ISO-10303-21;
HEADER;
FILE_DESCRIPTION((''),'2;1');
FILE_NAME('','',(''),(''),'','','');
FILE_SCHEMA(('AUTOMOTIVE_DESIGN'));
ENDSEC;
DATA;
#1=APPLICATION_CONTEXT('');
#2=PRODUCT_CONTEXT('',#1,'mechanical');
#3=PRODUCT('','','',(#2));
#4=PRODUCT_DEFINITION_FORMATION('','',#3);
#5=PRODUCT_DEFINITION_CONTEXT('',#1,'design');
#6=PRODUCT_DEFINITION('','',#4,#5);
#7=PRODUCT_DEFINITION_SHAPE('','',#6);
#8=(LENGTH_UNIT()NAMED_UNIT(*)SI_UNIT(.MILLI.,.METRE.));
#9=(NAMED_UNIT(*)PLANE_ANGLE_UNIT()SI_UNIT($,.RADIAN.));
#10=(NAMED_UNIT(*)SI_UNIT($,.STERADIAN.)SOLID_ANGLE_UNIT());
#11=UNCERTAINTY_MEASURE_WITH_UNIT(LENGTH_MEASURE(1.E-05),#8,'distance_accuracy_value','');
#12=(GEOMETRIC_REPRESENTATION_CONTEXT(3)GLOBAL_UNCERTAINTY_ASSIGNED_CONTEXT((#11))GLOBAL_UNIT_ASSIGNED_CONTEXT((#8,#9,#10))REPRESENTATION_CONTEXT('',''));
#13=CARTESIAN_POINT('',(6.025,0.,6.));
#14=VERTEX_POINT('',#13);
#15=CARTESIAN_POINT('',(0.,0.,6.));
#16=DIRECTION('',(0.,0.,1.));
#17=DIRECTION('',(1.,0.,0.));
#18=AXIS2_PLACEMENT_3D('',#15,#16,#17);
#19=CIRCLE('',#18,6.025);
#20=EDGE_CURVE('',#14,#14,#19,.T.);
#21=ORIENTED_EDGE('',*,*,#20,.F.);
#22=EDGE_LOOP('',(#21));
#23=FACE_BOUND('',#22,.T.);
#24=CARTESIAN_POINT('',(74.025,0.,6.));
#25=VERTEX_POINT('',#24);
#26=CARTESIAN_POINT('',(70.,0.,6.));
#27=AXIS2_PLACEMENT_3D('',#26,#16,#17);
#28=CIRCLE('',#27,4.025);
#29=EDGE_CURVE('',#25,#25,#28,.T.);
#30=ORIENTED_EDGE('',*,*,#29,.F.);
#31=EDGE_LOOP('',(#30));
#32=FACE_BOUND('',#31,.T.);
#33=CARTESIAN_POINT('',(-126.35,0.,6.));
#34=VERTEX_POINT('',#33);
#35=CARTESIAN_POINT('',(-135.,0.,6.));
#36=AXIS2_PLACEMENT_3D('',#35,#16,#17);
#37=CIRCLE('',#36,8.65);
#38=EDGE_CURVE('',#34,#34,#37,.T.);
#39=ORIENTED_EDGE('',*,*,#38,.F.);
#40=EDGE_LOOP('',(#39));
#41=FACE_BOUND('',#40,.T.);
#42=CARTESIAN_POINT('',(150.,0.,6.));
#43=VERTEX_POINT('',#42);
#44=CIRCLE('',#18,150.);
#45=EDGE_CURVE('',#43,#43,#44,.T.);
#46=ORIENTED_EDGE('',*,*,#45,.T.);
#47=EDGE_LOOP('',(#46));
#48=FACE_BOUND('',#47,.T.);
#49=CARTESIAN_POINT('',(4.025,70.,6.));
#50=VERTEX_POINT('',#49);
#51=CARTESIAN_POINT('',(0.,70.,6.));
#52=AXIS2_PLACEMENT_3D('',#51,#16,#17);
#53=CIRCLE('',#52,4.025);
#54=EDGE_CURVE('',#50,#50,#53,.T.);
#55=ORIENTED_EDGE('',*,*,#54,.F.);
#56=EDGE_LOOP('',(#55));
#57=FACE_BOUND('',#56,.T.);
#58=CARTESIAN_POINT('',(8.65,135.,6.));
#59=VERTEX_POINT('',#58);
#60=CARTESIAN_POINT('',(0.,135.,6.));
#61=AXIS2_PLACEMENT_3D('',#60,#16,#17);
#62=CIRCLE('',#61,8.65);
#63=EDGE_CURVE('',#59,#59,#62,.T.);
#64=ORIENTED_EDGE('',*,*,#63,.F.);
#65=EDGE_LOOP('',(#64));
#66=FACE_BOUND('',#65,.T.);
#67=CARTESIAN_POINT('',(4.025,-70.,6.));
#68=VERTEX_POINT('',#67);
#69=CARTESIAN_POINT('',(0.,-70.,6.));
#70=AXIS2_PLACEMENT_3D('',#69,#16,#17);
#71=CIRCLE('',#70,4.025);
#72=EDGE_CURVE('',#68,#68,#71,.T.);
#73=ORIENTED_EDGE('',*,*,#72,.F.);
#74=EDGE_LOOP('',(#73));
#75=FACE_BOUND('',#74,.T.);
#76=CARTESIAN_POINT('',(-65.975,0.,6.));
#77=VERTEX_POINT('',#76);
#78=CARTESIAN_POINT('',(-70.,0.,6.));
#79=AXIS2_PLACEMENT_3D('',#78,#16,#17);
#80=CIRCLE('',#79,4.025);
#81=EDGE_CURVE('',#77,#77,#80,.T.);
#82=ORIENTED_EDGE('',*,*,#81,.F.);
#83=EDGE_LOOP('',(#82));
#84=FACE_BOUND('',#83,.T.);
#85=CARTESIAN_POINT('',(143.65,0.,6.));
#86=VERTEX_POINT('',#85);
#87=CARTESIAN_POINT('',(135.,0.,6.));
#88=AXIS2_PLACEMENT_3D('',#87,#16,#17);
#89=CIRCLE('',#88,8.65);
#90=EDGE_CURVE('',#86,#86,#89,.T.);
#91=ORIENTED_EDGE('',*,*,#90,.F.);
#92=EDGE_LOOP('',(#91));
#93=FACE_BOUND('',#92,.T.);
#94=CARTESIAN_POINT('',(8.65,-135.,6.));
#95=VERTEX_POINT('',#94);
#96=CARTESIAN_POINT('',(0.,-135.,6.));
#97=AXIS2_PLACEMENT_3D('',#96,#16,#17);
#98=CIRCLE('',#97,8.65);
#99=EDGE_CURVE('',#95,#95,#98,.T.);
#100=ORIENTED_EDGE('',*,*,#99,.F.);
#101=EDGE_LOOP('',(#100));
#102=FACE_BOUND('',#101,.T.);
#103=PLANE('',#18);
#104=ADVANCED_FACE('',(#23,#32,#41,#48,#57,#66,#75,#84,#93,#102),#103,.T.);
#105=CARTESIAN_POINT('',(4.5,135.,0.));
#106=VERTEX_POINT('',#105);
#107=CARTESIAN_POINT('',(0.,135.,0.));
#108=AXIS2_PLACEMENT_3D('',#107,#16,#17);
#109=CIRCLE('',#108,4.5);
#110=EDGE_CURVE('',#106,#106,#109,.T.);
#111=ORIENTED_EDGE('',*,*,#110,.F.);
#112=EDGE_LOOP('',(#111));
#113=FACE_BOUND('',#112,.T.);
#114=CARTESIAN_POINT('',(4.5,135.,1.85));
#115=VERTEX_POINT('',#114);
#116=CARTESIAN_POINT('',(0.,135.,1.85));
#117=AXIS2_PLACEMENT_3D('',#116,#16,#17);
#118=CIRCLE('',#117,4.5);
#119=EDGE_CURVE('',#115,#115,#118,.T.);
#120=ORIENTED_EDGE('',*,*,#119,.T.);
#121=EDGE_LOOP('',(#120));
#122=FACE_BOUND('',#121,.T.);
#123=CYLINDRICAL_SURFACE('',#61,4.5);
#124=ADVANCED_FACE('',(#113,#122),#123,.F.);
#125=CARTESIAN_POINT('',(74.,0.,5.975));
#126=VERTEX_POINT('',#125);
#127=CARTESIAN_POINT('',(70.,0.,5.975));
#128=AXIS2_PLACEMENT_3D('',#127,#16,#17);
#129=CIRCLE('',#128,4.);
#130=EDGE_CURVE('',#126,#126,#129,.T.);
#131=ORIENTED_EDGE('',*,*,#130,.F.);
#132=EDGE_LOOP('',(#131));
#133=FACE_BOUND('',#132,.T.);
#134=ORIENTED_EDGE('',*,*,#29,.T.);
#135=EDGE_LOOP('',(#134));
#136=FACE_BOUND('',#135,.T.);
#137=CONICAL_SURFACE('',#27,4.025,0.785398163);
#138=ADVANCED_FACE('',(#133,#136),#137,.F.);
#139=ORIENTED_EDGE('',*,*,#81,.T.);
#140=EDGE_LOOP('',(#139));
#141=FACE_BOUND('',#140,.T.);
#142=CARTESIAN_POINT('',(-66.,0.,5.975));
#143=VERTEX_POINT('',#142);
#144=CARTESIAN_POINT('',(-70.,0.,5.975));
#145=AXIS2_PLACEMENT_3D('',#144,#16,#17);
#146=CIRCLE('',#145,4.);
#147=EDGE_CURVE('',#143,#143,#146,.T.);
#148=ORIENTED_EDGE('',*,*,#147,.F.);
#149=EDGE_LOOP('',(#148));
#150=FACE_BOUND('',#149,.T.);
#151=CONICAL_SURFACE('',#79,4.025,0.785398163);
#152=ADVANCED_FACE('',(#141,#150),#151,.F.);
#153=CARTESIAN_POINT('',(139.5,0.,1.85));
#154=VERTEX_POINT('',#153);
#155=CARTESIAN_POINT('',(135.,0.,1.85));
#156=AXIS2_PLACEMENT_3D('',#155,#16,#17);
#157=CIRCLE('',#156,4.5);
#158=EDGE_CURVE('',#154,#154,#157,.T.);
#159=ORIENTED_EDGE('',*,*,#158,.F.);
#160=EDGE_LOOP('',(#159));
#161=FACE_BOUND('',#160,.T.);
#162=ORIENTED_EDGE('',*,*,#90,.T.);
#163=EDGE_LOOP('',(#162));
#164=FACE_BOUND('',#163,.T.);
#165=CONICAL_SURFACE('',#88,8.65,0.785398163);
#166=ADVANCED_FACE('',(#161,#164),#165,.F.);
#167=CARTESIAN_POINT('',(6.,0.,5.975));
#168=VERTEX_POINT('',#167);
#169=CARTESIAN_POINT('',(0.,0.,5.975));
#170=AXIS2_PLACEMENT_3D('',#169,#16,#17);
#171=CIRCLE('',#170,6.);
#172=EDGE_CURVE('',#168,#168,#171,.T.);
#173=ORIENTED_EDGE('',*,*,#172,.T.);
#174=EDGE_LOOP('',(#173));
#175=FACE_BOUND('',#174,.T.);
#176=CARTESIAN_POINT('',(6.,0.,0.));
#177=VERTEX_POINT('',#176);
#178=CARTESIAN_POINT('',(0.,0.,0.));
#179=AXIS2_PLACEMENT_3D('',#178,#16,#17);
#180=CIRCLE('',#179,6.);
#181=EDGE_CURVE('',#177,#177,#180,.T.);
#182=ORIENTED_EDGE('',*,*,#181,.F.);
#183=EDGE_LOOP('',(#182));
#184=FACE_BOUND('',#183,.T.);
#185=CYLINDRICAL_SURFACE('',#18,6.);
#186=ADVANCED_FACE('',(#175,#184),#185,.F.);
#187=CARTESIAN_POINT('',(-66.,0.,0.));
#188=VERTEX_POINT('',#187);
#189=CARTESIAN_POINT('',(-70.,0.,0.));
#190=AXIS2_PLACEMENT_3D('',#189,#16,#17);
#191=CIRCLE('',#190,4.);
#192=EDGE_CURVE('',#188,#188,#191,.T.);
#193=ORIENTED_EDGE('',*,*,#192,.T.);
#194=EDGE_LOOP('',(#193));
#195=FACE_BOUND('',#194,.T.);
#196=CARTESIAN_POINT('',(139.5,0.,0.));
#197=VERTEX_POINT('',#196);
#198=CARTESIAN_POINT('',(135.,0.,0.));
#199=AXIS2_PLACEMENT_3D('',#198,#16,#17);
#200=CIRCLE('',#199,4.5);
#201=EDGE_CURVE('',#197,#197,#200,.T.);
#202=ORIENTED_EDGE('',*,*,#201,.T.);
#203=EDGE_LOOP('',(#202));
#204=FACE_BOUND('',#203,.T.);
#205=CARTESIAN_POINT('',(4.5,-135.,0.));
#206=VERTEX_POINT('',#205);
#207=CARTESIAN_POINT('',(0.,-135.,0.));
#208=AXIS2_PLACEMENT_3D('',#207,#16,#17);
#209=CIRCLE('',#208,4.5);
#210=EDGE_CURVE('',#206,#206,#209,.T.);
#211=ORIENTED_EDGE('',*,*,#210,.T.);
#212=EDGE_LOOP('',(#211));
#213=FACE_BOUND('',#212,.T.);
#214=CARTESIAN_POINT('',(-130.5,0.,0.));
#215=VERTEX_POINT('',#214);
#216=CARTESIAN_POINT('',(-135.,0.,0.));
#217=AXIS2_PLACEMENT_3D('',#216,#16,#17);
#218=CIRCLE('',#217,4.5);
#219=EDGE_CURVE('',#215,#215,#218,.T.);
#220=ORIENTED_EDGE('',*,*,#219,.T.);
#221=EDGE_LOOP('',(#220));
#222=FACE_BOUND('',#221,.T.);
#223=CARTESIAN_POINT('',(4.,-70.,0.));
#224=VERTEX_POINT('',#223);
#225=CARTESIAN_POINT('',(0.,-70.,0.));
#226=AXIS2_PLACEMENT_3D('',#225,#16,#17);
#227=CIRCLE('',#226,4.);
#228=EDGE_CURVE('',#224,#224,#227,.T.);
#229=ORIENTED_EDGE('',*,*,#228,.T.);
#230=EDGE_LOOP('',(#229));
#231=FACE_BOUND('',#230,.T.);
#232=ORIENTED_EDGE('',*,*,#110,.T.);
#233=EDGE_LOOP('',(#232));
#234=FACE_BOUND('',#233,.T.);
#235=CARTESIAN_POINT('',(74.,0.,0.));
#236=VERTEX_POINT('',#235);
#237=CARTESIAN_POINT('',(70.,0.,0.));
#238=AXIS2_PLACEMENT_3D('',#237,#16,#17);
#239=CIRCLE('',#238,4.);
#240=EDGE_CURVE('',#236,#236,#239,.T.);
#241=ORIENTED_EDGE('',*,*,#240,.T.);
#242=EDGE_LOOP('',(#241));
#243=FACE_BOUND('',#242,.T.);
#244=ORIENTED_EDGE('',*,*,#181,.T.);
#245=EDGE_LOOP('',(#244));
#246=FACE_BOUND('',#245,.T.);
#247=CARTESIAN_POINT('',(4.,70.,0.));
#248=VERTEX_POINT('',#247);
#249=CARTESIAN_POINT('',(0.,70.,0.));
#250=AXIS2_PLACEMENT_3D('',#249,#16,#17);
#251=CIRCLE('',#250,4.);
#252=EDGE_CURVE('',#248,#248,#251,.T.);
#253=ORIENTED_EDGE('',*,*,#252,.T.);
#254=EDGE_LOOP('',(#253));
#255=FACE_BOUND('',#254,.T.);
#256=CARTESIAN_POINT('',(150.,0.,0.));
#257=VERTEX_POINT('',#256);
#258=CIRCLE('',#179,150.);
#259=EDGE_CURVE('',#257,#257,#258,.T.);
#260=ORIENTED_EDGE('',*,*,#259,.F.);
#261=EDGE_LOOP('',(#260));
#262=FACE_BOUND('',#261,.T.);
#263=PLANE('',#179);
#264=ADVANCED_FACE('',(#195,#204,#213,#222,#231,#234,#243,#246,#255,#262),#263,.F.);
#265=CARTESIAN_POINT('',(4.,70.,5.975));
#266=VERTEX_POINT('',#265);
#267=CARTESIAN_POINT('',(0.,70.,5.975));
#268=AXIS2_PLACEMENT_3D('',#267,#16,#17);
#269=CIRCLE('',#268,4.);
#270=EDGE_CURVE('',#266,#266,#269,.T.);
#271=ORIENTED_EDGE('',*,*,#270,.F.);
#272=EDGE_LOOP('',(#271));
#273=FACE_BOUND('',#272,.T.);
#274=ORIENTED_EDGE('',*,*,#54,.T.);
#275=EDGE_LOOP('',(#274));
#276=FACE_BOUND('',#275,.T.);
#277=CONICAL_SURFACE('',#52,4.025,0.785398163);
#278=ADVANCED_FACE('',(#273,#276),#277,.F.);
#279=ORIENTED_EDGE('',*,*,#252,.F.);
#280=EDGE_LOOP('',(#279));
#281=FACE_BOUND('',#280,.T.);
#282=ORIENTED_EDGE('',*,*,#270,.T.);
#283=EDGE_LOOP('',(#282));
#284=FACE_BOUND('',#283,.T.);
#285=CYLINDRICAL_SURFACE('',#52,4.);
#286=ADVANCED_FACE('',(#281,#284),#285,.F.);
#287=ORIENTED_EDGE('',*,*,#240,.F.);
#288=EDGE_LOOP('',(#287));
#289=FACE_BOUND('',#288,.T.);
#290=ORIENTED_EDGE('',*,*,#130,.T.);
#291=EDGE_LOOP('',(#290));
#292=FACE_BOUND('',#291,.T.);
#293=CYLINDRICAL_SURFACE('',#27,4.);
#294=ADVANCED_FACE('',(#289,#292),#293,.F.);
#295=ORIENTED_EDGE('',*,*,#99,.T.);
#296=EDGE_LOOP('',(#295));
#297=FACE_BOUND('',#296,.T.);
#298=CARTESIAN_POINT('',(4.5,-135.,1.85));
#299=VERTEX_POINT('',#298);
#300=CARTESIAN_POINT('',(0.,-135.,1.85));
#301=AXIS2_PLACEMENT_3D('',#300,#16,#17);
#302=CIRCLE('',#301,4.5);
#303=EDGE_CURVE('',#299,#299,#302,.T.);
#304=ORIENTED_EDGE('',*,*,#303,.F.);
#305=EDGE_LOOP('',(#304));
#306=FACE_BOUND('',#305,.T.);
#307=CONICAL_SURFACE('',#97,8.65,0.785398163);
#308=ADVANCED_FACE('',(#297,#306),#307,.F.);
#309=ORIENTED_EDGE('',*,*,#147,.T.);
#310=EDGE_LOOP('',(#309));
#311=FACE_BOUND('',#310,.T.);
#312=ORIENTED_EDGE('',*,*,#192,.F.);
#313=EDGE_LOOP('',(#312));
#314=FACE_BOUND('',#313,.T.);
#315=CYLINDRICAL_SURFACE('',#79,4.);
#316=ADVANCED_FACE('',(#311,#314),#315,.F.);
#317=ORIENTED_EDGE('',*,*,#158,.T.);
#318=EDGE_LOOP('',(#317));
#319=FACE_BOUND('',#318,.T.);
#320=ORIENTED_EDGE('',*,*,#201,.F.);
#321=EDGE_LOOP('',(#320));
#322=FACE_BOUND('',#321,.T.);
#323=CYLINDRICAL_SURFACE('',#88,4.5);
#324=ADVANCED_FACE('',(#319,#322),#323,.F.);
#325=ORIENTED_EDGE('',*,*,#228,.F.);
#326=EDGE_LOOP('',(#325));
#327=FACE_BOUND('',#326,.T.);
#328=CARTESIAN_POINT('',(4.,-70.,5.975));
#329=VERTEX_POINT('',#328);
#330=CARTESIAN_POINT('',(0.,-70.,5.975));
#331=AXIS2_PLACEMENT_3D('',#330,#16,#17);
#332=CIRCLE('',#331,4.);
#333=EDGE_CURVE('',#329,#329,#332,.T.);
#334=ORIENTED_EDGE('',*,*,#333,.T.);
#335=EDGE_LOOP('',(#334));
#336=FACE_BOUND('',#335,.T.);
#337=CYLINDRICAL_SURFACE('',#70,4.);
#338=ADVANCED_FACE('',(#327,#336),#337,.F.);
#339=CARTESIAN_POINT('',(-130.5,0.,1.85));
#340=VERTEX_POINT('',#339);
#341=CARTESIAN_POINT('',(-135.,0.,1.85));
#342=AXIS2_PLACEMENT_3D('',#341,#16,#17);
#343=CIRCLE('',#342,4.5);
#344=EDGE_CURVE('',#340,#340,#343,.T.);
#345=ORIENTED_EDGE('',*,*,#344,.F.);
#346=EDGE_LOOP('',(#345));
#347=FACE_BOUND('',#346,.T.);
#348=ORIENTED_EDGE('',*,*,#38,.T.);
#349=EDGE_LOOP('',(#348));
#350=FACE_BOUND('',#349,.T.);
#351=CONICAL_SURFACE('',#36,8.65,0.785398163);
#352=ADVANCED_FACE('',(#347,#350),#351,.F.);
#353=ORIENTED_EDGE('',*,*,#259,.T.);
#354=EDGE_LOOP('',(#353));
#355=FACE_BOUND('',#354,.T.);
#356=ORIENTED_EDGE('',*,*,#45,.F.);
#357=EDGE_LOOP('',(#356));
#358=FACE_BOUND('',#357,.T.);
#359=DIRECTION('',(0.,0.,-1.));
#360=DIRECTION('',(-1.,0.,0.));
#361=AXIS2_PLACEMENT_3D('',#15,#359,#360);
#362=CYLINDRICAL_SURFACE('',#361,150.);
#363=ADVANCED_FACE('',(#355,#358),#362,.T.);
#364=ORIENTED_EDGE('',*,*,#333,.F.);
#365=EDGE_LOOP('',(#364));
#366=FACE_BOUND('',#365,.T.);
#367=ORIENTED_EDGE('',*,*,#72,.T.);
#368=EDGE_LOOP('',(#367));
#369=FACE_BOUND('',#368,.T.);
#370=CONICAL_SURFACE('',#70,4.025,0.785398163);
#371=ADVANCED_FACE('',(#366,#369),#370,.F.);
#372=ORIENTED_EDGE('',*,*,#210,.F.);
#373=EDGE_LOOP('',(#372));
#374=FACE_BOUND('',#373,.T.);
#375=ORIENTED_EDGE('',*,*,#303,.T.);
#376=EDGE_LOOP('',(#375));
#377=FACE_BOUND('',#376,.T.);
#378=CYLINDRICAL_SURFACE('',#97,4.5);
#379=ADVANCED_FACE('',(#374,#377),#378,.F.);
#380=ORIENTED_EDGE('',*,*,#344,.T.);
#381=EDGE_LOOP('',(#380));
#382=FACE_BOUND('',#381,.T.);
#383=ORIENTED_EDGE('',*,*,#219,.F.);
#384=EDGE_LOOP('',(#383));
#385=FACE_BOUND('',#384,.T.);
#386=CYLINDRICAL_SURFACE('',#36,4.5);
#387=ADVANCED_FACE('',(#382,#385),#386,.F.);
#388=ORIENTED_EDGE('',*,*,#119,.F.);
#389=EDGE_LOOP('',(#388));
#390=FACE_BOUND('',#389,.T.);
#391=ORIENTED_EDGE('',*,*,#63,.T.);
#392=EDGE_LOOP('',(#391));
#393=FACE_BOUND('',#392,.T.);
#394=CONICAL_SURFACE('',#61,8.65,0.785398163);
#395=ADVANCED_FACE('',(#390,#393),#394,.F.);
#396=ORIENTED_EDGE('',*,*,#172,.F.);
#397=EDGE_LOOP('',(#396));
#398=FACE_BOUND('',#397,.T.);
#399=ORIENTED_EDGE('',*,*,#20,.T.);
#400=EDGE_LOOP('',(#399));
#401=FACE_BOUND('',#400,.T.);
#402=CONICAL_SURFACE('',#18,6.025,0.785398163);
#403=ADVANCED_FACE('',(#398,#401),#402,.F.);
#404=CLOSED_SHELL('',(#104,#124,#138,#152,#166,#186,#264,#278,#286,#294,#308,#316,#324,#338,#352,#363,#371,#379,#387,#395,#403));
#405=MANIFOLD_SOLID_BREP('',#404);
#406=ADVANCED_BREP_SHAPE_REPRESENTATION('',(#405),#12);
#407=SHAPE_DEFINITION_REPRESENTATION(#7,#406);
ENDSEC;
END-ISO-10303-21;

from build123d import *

# Parameters (mm, degrees)
SZKIC1_R                                    = 150
DODANIE_WYCI_GNI_CIE1_DEPTH                 = 6
OTWORY_USTALAJ_CE_8_0MM1_D                  = 8
OTWORY_USTALAJ_CE_8_0MM1_CSINK_D            = 8.05
OTWORY_USTALAJ_CE_8_0MM1_CSINK_ANGLE        = 90
POG_BIENIE_STO_KOWE_POD_M8_WKR_T_DO_2_COUNT = 2
POG_BIENIE_STO_KOWE_POD_M8_WKR_T_DO_2_PITCH = 190.91883092
POG_BIENIE_STO_KOWE_POD_M8_WKR_T_DO_3_COUNT = 2
POG_BIENIE_STO_KOWE_POD_M8_WKR_T_DO_3_PITCH = 270
POG_BIENIE_STO_KOWE_POD_M8_WKR_T_DO_4_COUNT = 2
POG_BIENIE_STO_KOWE_POD_M8_WKR_T_DO_4_PITCH = 190.91883092


with BuildPart() as part:
    # Szkic1 → Dodanie-wyciągnięcie1 (new body)
    with BuildSketch(Plane.XY):
        Circle(SZKIC1_R)
    extrude(amount=DODANIE_WYCI_GNI_CIE1_DEPTH)

    # Otwory ustalające Ø8.0mm1 (through all)
    with Locations(Plane.XY.offset(6)):
        with Locations((0, 70), (0, -70), (-70, 0), (70, 0)):
            CounterSinkHole(OTWORY_USTALAJ_CE_8_0MM1_D / 2, OTWORY_USTALAJ_CE_8_0MM1_CSINK_D / 2, counter_sink_angle=OTWORY_USTALAJ_CE_8_0MM1_CSINK_ANGLE)

    # Szkic6 → Otwory ustalające Ø12.0mm1 (revolve, cut)
    with BuildSketch(Plane(origin=(0, 0, 6), x_dir=(0, -1, 0), z_dir=(1, 0, 0))):
        Polygon((0, 0), (0, 6), (6, 6), (6, 0.025), (6.025, 0), align=None)
    revolve(axis=Axis((0, 0, 12.35), (0, 0, -1)), mode=Mode.SUBTRACT)

    # Szkic10 → Pogłębienie stożkowe pod M8 wkręt do części metalowych z łbem soczewkowym1 (revolve, cut)
    with BuildSketch(Plane(origin=(0, 135, 6), x_dir=(0, -1, 0), z_dir=(1, 0, 0))):
        Polygon((0, 0), (0, 6), (4.5, 6), (4.5, 4.15), (8.65, 0), align=None)
    pog_bienie_sto_kowe_pod_m8_wkr_t_do_cz_c = revolve(axis=Axis((0, 135, 12.35), (0, 0, -1)), mode=Mode.SUBTRACT)

    # Pog_bienie sto_kowe pod M8 wkr_t do  2: Pogłębienie stożkowe pod M8 wkręt do części metalowych z łbem soczewkowym1 ×2
    with Locations(*[Vector(0.7071067811865674, -0.7071067811865276, 0) * (i * POG_BIENIE_STO_KOWE_POD_M8_WKR_T_DO_2_PITCH) for i in range(1, POG_BIENIE_STO_KOWE_POD_M8_WKR_T_DO_2_COUNT)]):
        add(pog_bienie_sto_kowe_pod_m8_wkr_t_do_cz_c, mode=Mode.SUBTRACT)

    # Pog_bienie sto_kowe pod M8 wkr_t do  3: Pogłębienie stożkowe pod M8 wkręt do części metalowych z łbem soczewkowym1 ×2
    with Locations(*[(0, -i * POG_BIENIE_STO_KOWE_POD_M8_WKR_T_DO_3_PITCH, 0) for i in range(1, POG_BIENIE_STO_KOWE_POD_M8_WKR_T_DO_3_COUNT)]):
        add(pog_bienie_sto_kowe_pod_m8_wkr_t_do_cz_c, mode=Mode.SUBTRACT)

    # Pog_bienie sto_kowe pod M8 wkr_t do  4: Pogłębienie stożkowe pod M8 wkręt do części metalowych z łbem soczewkowym1 ×2
    with Locations(*[Vector(-0.7071067811865277, -0.7071067811865674, 0) * (i * POG_BIENIE_STO_KOWE_POD_M8_WKR_T_DO_4_PITCH) for i in range(1, POG_BIENIE_STO_KOWE_POD_M8_WKR_T_DO_4_COUNT)]):
        add(pog_bienie_sto_kowe_pod_m8_wkr_t_do_cz_c, mode=Mode.SUBTRACT)


solid = part.part
